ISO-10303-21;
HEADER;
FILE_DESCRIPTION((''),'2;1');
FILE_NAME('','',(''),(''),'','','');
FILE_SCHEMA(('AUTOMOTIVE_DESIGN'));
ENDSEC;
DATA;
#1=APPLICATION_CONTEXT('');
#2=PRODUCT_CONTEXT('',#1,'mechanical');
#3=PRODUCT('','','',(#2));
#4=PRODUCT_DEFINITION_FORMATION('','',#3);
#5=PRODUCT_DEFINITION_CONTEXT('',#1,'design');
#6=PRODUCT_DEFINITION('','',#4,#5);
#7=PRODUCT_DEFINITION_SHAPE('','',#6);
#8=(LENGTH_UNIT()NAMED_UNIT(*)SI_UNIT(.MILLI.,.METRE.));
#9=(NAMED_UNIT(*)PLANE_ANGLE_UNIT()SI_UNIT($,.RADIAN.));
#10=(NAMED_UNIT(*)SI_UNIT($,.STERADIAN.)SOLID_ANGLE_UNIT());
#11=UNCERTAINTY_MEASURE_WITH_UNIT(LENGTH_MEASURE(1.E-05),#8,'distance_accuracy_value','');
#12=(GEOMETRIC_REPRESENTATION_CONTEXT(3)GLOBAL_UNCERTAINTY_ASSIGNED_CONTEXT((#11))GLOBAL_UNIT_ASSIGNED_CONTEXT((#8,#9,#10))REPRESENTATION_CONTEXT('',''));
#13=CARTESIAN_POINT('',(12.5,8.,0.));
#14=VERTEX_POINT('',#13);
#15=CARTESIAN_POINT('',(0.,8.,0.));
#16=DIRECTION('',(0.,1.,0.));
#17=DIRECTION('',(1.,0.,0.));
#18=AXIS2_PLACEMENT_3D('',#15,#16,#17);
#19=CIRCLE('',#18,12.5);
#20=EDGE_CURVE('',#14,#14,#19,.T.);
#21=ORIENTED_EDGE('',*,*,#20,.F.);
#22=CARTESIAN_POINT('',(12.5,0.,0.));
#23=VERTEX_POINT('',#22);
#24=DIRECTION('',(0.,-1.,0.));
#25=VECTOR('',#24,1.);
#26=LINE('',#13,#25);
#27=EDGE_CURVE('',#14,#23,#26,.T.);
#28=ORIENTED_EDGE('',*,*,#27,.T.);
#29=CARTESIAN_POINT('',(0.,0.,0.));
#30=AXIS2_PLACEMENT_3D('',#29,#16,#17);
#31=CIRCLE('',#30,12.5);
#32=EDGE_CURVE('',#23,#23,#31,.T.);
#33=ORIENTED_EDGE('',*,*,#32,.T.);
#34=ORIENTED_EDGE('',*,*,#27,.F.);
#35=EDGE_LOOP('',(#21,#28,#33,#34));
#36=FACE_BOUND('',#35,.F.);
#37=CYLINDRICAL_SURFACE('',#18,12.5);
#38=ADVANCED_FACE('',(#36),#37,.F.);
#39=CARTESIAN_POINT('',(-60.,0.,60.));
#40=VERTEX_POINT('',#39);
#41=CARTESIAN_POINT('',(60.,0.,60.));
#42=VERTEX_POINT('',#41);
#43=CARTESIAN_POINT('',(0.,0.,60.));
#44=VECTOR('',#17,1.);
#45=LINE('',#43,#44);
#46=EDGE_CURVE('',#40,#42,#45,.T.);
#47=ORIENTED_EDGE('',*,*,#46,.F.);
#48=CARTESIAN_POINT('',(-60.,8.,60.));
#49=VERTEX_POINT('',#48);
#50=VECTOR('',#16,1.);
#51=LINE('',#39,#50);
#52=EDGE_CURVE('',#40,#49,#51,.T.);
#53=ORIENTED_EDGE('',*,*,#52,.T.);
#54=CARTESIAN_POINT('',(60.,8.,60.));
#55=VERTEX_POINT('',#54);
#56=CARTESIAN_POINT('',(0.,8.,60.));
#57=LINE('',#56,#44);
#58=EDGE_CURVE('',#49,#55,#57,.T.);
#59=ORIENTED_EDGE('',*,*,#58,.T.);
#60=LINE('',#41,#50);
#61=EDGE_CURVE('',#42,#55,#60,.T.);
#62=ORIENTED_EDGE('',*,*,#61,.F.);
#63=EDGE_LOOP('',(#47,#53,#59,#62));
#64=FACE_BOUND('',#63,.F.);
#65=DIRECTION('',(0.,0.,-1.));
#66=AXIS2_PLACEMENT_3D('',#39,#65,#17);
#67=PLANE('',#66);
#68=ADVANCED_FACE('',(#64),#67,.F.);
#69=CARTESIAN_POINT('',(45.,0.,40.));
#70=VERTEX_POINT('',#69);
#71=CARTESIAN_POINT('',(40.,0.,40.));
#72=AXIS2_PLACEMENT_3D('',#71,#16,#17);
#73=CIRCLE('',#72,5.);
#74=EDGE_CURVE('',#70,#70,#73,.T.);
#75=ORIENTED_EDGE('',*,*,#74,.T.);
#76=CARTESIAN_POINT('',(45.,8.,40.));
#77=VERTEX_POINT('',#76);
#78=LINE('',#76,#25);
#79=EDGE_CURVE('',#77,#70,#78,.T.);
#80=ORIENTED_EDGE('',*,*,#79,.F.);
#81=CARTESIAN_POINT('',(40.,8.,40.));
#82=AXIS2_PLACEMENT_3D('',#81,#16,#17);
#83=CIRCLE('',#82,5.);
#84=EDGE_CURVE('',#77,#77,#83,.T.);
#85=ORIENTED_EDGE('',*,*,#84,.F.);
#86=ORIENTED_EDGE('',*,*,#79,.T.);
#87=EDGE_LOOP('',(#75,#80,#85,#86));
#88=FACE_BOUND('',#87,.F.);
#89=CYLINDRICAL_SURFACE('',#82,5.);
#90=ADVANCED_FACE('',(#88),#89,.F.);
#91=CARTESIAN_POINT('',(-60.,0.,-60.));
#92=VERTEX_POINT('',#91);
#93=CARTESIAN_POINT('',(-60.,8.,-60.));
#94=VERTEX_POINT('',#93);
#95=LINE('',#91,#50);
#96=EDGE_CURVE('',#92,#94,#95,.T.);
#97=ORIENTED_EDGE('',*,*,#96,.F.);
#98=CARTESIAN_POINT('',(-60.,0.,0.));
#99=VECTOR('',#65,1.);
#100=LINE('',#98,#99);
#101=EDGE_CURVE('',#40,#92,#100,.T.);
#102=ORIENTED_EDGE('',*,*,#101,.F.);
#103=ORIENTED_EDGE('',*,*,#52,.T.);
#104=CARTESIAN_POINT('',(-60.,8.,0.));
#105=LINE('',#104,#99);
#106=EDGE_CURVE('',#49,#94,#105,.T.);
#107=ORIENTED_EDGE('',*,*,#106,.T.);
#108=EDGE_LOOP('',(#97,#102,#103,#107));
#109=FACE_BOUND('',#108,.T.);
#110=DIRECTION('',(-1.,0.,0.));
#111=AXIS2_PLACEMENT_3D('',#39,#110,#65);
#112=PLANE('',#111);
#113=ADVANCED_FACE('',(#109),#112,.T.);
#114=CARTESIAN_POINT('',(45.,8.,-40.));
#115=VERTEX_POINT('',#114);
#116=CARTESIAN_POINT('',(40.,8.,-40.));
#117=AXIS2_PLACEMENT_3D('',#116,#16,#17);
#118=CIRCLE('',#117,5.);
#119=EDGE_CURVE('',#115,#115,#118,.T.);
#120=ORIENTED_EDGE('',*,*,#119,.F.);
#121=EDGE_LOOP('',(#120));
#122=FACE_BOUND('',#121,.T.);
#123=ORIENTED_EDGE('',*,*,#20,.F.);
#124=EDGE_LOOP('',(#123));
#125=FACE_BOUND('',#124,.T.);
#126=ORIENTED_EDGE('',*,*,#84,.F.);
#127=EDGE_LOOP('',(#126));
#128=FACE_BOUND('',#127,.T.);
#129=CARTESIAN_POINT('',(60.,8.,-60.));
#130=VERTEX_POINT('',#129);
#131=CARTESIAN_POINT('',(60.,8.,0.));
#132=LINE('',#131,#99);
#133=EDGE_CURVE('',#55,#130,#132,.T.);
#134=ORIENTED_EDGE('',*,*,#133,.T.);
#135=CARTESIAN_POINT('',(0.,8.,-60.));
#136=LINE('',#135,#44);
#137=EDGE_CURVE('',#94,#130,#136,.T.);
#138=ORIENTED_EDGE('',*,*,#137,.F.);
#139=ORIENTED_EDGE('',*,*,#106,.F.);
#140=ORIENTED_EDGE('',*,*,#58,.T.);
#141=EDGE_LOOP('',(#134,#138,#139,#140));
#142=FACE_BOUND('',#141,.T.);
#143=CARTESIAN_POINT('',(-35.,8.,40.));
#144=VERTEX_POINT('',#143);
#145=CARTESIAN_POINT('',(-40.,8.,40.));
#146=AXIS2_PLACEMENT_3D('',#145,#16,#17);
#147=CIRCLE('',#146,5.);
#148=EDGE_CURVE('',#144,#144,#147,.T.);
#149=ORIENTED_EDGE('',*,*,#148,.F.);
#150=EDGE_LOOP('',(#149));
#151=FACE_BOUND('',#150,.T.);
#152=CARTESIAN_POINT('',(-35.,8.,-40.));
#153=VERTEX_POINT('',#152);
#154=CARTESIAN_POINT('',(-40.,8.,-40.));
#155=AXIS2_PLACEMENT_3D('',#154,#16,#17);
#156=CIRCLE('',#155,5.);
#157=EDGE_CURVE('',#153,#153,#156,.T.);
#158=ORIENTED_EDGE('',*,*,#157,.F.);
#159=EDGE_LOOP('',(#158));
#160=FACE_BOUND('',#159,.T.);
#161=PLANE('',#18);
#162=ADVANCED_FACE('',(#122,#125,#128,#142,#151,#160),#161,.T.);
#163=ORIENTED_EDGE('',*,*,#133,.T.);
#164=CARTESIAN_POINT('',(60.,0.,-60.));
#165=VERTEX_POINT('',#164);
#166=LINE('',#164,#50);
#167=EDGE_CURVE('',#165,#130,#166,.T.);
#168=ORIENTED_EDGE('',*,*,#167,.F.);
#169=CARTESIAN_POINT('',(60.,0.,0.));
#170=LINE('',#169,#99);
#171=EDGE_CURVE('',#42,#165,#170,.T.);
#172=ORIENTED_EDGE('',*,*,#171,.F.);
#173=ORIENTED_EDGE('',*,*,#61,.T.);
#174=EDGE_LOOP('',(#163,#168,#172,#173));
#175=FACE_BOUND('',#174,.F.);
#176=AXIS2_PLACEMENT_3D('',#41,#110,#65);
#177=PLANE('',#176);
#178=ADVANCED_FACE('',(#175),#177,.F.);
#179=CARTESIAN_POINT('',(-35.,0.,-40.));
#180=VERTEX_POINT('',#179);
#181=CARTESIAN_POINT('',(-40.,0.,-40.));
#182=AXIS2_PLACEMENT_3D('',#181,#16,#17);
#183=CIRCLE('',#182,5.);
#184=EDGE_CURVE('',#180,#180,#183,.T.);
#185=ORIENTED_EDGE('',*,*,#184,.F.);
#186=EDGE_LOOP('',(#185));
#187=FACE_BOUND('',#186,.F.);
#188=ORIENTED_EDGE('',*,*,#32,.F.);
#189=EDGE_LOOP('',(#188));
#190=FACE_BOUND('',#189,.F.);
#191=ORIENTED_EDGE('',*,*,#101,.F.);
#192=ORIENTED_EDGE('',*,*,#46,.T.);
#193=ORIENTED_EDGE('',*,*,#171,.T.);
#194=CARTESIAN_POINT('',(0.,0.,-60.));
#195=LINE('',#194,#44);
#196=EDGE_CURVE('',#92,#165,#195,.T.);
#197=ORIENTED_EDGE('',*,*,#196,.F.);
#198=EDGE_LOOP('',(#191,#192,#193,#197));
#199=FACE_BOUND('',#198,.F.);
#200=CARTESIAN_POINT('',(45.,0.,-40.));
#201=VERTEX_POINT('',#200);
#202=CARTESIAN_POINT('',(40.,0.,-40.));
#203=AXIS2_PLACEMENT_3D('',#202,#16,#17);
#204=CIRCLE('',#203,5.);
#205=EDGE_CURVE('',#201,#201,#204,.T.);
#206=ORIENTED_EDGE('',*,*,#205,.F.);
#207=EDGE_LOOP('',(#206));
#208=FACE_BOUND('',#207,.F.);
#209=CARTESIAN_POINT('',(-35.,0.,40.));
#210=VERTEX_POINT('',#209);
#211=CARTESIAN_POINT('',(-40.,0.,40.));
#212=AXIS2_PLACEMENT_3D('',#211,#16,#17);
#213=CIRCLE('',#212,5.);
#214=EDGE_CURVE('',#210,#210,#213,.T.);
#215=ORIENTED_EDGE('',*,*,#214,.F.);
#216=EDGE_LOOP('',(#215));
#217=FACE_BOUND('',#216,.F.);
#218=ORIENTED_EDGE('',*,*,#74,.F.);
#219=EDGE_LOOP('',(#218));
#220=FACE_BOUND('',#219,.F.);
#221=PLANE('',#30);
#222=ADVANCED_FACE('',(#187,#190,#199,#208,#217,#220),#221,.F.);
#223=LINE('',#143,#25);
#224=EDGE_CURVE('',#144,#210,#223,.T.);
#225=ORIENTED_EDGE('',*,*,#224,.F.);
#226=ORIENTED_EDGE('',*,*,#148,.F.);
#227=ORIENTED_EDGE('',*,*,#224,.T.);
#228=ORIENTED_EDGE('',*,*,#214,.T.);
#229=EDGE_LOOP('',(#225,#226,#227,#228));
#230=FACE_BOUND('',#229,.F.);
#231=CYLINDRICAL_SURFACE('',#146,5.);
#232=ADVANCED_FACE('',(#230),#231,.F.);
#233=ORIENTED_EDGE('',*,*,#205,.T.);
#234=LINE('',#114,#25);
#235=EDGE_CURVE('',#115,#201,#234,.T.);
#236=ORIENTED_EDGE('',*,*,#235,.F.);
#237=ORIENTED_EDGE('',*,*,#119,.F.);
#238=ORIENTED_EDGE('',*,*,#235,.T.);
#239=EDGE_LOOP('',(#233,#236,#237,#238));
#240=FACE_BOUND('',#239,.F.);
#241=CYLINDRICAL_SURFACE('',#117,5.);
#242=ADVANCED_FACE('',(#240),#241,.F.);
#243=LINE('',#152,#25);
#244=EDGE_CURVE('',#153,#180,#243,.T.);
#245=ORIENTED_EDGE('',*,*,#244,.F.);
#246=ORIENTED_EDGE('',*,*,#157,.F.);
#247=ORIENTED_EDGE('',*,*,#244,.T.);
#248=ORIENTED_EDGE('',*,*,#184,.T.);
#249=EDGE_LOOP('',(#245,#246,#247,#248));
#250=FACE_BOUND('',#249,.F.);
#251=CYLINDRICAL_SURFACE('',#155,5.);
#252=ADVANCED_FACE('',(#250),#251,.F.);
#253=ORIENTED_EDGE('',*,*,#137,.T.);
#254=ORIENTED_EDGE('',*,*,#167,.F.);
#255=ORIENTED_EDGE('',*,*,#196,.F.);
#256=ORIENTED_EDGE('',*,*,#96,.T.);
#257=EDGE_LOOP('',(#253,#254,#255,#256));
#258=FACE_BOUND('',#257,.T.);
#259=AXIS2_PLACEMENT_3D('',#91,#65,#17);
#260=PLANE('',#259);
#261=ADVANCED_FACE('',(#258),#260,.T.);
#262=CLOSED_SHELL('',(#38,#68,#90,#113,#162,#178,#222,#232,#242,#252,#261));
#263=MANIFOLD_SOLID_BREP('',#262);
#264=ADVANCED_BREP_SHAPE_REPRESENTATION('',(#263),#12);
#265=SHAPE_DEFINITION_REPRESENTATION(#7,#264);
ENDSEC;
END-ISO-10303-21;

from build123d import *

# Parameters (mm, degrees)
SKETCH1_W           = 120
SKETCH1_H           = 120
BOSS_EXTRUDE2_DEPTH = 8
SKETCH3_R           = 12.5
CUT_EXTRUDE1_DEPTH  = 9
SKETCH4_R           = 5
CUT_EXTRUDE2_DEPTH  = 10


with BuildPart() as part:
    # Sketch1 → Boss-Extrude2 (new body)
    with BuildSketch(Plane(origin=(0, 0, 0), x_dir=(1, 0, 0), z_dir=(0, 1, 0))):
        Rectangle(SKETCH1_W, SKETCH1_H)
    extrude(amount=BOSS_EXTRUDE2_DEPTH)

    # Sketch3 → Cut-Extrude1 (cut, through all)
    with BuildSketch(Plane(origin=(0, 8, 0), x_dir=(1, 0, 0), z_dir=(0, 1, 0))):
        Circle(SKETCH3_R)
    extrude(amount=-CUT_EXTRUDE1_DEPTH, mode=Mode.SUBTRACT)

    # Sketch4 → Cut-Extrude2 (cut)
    with BuildSketch(Plane(origin=(0, 8, 0), x_dir=(1, 0, 0), z_dir=(0, 1, 0))):
        with Locations((-40, 40)):
            Circle(SKETCH4_R)
        with Locations((40, 40)):
            Circle(SKETCH4_R)
        with Locations((40, -40)):
            Circle(SKETCH4_R)
        with Locations((-40, -40)):
            Circle(SKETCH4_R)
    extrude(amount=-CUT_EXTRUDE2_DEPTH, mode=Mode.SUBTRACT)


solid = part.part
